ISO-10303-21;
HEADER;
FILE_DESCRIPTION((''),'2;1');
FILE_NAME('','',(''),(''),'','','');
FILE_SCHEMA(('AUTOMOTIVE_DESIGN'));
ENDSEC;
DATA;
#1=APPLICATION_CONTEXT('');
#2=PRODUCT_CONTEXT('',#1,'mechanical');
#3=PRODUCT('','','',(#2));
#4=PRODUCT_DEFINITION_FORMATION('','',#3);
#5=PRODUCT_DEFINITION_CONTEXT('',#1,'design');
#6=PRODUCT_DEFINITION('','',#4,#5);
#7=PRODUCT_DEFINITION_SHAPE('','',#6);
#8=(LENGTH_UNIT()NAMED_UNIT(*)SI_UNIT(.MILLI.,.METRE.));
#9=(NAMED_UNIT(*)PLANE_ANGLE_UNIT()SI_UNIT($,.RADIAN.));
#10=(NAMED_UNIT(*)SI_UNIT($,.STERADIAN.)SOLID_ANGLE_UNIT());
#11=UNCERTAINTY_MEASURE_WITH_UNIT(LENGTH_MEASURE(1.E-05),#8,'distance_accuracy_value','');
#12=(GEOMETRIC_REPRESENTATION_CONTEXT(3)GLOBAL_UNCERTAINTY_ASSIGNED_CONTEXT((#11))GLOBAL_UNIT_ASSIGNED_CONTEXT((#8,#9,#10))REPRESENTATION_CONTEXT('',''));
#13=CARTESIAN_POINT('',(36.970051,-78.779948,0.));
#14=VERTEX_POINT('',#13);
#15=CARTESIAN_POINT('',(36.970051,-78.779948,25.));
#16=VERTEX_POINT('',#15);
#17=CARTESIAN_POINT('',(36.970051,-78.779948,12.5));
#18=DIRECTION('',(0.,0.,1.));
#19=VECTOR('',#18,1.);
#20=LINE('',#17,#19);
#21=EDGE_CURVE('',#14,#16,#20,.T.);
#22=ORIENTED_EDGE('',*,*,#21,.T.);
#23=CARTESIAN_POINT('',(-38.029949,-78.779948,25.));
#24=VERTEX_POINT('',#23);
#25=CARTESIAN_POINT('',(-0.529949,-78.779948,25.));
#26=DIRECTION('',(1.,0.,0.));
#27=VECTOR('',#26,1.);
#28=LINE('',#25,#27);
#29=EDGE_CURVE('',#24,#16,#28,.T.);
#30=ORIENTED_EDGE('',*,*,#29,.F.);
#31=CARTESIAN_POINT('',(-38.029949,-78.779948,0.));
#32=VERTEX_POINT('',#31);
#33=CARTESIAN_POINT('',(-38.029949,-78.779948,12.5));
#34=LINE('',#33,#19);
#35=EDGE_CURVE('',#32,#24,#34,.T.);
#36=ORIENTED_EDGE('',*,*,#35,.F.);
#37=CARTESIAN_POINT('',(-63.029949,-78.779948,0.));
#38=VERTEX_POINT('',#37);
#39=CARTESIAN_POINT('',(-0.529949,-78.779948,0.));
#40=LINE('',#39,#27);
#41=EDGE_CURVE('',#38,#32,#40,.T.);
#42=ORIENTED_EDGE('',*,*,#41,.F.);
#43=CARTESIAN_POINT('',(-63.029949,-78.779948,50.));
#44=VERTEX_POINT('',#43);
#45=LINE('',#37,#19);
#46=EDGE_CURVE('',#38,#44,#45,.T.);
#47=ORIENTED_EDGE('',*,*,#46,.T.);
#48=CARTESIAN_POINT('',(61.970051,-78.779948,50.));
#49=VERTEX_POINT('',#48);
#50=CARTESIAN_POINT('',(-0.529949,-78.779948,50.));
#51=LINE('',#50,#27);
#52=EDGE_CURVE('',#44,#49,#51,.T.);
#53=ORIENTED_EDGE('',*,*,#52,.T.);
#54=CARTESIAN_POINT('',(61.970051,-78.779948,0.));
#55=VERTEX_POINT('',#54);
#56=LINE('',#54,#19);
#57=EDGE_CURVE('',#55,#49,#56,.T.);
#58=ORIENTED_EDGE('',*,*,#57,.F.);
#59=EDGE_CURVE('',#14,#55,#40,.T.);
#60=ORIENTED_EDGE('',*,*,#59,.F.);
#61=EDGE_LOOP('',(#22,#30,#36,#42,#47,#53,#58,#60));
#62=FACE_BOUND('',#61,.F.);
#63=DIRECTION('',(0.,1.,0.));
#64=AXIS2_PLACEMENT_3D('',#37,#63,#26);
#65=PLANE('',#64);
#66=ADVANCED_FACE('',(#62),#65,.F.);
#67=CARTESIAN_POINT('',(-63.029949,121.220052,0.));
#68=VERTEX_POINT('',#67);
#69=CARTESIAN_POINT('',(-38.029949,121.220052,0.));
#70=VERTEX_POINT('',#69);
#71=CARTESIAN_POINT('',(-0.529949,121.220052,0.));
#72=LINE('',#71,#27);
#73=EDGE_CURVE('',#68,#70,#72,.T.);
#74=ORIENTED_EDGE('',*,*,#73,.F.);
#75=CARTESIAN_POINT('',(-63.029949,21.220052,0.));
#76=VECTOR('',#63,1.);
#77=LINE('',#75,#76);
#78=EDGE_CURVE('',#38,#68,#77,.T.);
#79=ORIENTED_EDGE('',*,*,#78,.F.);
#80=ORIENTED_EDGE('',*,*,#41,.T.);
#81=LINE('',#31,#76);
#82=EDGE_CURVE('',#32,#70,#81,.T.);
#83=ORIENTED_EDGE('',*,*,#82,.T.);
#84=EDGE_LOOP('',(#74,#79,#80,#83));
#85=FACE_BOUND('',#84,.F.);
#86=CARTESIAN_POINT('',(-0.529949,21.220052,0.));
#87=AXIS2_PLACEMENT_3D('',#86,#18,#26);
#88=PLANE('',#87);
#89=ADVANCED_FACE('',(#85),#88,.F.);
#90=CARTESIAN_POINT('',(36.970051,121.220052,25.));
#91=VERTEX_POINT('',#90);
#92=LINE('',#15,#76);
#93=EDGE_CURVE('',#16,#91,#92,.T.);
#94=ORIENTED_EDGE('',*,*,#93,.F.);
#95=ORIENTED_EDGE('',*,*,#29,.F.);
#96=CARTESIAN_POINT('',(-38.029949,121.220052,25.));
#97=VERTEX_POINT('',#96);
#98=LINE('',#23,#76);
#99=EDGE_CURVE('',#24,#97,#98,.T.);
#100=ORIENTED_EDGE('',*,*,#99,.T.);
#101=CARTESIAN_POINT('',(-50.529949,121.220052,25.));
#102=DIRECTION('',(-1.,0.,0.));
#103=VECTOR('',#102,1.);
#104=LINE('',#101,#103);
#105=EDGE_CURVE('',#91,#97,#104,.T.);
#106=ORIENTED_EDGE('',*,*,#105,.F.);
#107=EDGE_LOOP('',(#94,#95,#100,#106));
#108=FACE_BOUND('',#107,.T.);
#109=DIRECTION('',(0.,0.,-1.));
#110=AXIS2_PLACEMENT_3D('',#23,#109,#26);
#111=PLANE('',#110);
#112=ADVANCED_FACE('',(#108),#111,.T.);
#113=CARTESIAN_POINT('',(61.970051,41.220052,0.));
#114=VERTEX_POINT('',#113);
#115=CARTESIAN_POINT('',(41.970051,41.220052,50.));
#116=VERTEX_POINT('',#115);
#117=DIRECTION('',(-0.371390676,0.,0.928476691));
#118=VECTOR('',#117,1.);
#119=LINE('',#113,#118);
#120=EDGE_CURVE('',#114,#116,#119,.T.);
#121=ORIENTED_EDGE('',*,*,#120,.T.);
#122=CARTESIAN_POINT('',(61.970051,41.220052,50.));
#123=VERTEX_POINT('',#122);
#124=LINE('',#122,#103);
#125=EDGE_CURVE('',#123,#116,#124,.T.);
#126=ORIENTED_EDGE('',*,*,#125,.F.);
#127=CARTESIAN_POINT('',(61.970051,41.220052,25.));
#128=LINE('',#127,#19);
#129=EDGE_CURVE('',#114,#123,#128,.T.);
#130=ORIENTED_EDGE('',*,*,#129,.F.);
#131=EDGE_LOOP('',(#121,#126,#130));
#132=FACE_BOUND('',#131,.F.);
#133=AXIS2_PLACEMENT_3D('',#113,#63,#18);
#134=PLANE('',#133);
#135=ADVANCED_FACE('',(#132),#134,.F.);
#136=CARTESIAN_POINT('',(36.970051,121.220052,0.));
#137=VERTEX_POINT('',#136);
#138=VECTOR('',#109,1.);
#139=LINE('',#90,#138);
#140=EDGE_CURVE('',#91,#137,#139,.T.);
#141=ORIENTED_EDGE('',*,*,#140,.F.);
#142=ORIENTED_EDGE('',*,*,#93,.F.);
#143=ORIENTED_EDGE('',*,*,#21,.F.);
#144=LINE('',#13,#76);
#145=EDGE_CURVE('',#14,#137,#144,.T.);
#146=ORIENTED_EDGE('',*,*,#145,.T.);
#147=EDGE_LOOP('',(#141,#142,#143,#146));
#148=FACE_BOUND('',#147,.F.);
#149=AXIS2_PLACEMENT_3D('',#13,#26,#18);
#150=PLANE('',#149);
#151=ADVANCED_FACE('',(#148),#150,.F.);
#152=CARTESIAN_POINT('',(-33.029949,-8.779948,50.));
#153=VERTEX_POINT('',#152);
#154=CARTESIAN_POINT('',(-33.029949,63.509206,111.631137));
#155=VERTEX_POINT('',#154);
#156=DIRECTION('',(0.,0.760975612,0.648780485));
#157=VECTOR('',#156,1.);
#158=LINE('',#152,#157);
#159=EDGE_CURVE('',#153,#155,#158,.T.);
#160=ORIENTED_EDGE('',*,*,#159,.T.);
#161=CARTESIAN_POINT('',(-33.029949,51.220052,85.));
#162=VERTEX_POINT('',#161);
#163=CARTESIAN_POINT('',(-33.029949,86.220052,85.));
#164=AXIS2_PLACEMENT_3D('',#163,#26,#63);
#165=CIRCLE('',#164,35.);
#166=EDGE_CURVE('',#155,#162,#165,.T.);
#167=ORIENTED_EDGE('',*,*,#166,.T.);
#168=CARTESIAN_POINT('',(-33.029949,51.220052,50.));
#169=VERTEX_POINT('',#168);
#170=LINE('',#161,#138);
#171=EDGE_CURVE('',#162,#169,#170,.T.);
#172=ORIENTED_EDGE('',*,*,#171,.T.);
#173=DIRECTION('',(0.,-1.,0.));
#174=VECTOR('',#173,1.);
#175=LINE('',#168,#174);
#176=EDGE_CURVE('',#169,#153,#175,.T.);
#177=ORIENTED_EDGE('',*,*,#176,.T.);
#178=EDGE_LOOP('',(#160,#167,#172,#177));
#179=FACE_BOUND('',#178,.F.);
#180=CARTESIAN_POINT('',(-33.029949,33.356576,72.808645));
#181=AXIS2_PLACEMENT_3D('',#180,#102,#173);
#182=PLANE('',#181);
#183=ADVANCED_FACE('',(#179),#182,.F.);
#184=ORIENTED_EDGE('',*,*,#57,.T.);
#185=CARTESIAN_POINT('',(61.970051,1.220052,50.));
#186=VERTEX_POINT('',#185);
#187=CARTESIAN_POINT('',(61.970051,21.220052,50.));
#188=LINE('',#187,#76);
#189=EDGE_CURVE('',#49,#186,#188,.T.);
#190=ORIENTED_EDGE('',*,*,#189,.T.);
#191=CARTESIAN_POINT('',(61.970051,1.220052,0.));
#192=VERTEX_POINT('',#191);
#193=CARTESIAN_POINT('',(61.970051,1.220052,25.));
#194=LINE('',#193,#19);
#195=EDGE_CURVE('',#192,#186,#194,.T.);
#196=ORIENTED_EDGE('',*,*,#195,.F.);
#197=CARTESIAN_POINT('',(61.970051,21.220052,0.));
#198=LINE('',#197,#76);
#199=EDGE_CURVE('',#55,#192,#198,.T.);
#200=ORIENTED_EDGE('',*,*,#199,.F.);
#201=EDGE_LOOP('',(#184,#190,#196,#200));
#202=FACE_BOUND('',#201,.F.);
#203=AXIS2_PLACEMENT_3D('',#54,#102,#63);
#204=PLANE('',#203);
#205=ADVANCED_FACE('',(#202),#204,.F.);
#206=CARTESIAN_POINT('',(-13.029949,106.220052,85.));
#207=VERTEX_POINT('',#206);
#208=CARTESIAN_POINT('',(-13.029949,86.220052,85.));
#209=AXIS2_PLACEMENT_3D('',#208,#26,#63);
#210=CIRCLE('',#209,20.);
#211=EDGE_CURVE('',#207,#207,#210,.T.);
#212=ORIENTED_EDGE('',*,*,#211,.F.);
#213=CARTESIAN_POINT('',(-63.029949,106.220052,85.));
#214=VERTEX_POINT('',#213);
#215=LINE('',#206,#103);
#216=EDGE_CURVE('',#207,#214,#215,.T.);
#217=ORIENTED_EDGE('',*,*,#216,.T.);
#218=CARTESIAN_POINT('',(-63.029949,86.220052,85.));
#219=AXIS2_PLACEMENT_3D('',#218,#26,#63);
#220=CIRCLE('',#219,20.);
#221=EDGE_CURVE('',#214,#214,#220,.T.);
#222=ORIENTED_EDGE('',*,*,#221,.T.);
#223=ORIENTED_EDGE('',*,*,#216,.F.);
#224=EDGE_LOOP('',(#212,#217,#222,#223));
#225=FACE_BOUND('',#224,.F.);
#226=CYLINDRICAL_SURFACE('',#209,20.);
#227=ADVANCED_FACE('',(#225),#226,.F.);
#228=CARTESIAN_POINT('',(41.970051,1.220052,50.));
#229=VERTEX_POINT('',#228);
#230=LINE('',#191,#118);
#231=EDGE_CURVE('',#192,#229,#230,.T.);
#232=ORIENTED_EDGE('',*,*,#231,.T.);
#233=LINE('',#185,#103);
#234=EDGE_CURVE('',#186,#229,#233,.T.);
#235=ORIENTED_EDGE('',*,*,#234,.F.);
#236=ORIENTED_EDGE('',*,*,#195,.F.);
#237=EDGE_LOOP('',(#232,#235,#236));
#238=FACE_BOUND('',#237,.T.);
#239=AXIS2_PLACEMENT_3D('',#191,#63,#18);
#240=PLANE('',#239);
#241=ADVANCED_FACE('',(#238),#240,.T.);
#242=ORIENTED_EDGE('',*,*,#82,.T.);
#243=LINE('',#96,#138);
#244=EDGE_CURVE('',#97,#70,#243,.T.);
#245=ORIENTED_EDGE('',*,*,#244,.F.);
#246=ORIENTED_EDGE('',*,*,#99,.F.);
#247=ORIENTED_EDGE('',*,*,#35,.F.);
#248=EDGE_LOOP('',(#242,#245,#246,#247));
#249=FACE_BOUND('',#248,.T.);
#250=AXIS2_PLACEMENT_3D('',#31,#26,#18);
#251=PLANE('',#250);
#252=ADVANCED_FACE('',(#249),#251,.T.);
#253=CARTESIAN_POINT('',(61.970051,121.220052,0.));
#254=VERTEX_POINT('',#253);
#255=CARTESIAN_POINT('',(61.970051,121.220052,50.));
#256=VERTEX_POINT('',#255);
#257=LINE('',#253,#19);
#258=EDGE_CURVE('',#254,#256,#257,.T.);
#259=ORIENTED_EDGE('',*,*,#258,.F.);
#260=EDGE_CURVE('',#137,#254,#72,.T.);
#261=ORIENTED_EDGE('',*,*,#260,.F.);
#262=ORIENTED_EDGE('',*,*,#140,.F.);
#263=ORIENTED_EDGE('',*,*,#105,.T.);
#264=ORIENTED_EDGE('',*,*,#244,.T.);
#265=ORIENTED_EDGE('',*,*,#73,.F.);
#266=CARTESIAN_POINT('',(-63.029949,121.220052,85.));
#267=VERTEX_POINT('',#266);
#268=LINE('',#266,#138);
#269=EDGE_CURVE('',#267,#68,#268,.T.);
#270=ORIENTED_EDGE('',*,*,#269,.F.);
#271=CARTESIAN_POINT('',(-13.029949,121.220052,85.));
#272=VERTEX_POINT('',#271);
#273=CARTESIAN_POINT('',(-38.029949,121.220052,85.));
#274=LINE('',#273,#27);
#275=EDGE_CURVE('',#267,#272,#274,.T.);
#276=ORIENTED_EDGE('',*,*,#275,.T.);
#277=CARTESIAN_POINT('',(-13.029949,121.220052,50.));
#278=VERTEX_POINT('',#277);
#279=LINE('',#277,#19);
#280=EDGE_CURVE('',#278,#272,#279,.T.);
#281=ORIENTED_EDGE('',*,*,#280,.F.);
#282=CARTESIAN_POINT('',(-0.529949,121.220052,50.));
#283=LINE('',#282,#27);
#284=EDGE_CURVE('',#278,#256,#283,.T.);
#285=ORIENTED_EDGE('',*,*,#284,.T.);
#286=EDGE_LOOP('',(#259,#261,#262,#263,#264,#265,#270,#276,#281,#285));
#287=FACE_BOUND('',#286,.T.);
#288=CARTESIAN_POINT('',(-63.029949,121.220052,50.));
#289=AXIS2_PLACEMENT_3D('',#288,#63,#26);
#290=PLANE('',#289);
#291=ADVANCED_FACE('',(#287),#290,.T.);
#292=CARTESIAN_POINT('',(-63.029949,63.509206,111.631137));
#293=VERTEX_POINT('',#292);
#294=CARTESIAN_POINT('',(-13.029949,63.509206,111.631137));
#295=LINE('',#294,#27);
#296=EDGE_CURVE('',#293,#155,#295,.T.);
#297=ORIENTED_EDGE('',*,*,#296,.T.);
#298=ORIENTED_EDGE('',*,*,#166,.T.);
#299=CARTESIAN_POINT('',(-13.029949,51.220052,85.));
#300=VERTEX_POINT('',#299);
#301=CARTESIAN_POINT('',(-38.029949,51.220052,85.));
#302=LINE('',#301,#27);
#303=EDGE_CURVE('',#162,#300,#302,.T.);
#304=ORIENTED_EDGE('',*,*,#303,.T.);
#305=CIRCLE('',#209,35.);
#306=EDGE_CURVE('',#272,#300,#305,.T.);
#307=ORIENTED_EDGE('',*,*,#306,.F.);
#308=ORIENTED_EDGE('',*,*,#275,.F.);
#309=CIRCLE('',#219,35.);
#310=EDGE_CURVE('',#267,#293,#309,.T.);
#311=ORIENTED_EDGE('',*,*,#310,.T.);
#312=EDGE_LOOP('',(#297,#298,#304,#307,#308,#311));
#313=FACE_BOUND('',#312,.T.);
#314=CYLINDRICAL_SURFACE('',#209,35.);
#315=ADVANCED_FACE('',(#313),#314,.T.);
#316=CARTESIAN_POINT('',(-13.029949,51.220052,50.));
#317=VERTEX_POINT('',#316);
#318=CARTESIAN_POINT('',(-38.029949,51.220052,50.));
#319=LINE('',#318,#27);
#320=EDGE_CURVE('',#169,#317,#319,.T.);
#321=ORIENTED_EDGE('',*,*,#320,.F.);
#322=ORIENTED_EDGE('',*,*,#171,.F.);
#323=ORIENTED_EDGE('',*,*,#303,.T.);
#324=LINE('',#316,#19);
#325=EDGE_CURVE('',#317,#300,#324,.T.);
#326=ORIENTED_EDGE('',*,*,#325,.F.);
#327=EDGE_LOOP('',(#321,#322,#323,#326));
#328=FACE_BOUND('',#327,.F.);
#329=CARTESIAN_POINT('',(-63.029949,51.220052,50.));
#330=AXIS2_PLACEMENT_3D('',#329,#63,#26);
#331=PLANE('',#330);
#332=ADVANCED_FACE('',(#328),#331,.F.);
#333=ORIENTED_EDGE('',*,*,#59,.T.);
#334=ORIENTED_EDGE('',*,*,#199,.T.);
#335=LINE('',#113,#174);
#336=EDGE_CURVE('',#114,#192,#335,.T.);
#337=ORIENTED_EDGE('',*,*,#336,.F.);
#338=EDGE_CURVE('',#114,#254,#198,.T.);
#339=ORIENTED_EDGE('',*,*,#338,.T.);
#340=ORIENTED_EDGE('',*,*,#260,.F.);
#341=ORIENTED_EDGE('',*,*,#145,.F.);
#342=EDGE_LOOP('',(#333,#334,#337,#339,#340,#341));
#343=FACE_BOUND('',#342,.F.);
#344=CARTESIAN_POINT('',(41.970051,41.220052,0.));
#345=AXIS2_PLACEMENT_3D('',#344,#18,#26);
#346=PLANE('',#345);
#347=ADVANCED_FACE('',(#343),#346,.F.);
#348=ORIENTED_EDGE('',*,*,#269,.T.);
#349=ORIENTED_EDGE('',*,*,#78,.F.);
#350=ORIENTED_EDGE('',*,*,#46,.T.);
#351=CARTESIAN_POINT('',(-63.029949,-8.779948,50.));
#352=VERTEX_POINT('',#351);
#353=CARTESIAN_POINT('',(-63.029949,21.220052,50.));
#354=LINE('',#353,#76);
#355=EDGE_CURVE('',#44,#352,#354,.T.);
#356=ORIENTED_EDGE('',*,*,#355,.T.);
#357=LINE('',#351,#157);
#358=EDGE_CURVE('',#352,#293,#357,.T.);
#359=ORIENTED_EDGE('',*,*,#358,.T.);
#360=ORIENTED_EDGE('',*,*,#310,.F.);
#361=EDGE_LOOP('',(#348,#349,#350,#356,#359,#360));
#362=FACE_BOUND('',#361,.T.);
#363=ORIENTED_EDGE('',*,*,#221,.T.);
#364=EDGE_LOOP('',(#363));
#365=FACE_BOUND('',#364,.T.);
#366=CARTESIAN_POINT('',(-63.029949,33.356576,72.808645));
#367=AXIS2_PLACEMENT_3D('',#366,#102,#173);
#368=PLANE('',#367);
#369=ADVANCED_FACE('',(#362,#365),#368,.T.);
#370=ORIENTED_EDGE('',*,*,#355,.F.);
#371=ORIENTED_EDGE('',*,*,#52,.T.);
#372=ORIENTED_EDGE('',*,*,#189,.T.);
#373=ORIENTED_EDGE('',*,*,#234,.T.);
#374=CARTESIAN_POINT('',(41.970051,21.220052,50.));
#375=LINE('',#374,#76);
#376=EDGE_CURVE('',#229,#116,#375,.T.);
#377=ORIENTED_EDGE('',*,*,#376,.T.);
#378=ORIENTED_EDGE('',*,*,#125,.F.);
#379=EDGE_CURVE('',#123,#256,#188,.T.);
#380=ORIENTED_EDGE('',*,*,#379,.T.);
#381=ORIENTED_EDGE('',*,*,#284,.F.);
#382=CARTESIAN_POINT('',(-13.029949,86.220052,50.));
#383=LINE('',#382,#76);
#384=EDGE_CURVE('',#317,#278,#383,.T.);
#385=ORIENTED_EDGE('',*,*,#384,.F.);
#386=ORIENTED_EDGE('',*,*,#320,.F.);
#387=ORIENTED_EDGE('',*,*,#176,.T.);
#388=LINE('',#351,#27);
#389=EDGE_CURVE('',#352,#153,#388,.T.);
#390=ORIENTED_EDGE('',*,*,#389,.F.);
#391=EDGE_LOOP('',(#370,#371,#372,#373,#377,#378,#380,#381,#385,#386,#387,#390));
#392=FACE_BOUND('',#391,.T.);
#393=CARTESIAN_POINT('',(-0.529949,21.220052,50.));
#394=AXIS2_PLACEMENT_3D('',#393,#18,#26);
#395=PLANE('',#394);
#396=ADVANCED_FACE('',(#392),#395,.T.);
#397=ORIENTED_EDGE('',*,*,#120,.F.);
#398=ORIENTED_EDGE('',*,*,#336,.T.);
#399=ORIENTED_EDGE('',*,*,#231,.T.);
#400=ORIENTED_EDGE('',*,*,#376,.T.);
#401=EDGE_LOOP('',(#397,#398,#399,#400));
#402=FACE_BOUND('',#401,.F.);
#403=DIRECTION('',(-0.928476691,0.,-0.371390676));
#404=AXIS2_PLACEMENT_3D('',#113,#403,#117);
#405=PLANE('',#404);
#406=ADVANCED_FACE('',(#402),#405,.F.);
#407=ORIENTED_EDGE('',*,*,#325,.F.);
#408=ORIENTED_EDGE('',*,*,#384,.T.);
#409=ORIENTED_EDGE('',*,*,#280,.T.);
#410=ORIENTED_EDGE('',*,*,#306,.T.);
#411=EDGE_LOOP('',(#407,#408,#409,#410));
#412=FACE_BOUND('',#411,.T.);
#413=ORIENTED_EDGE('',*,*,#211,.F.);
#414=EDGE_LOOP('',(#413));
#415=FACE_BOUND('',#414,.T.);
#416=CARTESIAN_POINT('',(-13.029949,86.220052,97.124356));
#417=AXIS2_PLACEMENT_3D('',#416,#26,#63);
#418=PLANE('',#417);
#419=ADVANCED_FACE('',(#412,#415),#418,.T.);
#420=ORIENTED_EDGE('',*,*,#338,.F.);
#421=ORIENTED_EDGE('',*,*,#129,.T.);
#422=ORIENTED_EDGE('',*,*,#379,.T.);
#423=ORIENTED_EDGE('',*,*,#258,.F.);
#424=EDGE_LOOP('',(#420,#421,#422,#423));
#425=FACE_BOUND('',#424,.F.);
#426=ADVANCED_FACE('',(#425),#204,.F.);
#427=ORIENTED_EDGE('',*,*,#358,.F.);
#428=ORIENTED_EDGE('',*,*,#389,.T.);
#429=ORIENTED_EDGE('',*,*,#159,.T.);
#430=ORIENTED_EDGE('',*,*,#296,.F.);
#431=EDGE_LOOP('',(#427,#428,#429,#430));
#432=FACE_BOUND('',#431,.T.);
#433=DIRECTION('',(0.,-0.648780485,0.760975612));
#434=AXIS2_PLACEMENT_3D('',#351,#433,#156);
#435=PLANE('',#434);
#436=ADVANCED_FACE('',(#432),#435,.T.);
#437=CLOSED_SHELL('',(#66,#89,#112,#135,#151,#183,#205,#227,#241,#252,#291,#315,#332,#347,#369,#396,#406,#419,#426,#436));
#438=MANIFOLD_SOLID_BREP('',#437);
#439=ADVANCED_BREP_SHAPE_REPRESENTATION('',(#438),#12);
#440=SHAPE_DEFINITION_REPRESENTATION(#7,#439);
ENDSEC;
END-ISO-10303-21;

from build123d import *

# Parameters (mm, degrees)
F0_W      = 125
F0_H      = 200
F1_DEPTH  = 50
F2_W      = 50
F2_H      = 70
F3_DEPTH  = 35
F5_DEPTH  = 50
F6_R      = 20
F7_DEPTH  = 50.001
F9_DEPTH  = 30
F10_W     = 75
F10_H     = 25
F11_DEPTH = 200.001
F12_W     = 40
F12_H     = 50
F13_DEPTH = 20
F15_DEPTH = 40


with BuildPart() as f1:
    # F0 (on Top) → F1 (new body)
    with BuildSketch(Plane.XY):
        with Locations((-0.529949, 21.220052)):
            Rectangle(F0_W, F0_H)
    extrude(amount=F1_DEPTH)

    # F2 (on face) → F3 (join)
    with BuildSketch(Plane.XY.offset(50)):
        with Locations((-38.029949, 86.220052)):
            Rectangle(F2_W, F2_H)
    extrude(amount=F3_DEPTH)

    # F4 (on face) → F5 (join)
    with BuildSketch(Plane.YZ.offset(-13.029949)):
        with BuildLine():
            Line((51.220052, 85), (121.220052, 85))
            ThreePointArc((121.220052, 85), (86.220052, 120), (51.220052, 85))
        make_face()
    extrude(amount=-F5_DEPTH)

    # F6 (on face) → F7 (cut, through all)
    with BuildSketch(Plane.YZ.offset(-13.029949)):
        with Locations((86.220052, 85)):
            Circle(F6_R)
    extrude(amount=-F7_DEPTH, mode=Mode.SUBTRACT)

    # F8 (on face) → F9 (join)
    with BuildSketch(Plane(origin=(-63.029949, 0, 0), x_dir=(0, -1, 0), z_dir=(-1, 0, 0))):
        with BuildLine():
            Line((-51.220052, 50), (8.779948, 50))
            Line((8.779948, 50), (-63.512735, 111.634146))
            ThreePointArc((-63.512735, 111.634146), (-54.441474, 99.667036), (-51.220052, 85))
            Line((-51.220052, 85), (-51.220052, 50))
        make_face()
    extrude(amount=-F9_DEPTH)

    # F10 (on face) → F11 (cut, through all)
    with BuildSketch(Plane.XZ.offset(78.779948)):
        with Locations((-0.529949, 12.5)):
            Rectangle(F10_W, F10_H)
    extrude(amount=-F11_DEPTH, mode=Mode.SUBTRACT)

    # F12 (on face) → F13 (cut)
    with BuildSketch(Plane.YZ.offset(61.970051)):
        with Locations((21.220052, 25)):
            Rectangle(F12_W, F12_H)
    extrude(amount=-F13_DEPTH, mode=Mode.SUBTRACT)

    # F14 (on face) → F15 (join)
    with BuildSketch(Plane.XZ.offset(-41.220052)):
        Polygon((61.970051, 0), (41.970051, 50), (41.970051, 0), align=None)
    extrude(amount=F15_DEPTH)


solid = f1.part
